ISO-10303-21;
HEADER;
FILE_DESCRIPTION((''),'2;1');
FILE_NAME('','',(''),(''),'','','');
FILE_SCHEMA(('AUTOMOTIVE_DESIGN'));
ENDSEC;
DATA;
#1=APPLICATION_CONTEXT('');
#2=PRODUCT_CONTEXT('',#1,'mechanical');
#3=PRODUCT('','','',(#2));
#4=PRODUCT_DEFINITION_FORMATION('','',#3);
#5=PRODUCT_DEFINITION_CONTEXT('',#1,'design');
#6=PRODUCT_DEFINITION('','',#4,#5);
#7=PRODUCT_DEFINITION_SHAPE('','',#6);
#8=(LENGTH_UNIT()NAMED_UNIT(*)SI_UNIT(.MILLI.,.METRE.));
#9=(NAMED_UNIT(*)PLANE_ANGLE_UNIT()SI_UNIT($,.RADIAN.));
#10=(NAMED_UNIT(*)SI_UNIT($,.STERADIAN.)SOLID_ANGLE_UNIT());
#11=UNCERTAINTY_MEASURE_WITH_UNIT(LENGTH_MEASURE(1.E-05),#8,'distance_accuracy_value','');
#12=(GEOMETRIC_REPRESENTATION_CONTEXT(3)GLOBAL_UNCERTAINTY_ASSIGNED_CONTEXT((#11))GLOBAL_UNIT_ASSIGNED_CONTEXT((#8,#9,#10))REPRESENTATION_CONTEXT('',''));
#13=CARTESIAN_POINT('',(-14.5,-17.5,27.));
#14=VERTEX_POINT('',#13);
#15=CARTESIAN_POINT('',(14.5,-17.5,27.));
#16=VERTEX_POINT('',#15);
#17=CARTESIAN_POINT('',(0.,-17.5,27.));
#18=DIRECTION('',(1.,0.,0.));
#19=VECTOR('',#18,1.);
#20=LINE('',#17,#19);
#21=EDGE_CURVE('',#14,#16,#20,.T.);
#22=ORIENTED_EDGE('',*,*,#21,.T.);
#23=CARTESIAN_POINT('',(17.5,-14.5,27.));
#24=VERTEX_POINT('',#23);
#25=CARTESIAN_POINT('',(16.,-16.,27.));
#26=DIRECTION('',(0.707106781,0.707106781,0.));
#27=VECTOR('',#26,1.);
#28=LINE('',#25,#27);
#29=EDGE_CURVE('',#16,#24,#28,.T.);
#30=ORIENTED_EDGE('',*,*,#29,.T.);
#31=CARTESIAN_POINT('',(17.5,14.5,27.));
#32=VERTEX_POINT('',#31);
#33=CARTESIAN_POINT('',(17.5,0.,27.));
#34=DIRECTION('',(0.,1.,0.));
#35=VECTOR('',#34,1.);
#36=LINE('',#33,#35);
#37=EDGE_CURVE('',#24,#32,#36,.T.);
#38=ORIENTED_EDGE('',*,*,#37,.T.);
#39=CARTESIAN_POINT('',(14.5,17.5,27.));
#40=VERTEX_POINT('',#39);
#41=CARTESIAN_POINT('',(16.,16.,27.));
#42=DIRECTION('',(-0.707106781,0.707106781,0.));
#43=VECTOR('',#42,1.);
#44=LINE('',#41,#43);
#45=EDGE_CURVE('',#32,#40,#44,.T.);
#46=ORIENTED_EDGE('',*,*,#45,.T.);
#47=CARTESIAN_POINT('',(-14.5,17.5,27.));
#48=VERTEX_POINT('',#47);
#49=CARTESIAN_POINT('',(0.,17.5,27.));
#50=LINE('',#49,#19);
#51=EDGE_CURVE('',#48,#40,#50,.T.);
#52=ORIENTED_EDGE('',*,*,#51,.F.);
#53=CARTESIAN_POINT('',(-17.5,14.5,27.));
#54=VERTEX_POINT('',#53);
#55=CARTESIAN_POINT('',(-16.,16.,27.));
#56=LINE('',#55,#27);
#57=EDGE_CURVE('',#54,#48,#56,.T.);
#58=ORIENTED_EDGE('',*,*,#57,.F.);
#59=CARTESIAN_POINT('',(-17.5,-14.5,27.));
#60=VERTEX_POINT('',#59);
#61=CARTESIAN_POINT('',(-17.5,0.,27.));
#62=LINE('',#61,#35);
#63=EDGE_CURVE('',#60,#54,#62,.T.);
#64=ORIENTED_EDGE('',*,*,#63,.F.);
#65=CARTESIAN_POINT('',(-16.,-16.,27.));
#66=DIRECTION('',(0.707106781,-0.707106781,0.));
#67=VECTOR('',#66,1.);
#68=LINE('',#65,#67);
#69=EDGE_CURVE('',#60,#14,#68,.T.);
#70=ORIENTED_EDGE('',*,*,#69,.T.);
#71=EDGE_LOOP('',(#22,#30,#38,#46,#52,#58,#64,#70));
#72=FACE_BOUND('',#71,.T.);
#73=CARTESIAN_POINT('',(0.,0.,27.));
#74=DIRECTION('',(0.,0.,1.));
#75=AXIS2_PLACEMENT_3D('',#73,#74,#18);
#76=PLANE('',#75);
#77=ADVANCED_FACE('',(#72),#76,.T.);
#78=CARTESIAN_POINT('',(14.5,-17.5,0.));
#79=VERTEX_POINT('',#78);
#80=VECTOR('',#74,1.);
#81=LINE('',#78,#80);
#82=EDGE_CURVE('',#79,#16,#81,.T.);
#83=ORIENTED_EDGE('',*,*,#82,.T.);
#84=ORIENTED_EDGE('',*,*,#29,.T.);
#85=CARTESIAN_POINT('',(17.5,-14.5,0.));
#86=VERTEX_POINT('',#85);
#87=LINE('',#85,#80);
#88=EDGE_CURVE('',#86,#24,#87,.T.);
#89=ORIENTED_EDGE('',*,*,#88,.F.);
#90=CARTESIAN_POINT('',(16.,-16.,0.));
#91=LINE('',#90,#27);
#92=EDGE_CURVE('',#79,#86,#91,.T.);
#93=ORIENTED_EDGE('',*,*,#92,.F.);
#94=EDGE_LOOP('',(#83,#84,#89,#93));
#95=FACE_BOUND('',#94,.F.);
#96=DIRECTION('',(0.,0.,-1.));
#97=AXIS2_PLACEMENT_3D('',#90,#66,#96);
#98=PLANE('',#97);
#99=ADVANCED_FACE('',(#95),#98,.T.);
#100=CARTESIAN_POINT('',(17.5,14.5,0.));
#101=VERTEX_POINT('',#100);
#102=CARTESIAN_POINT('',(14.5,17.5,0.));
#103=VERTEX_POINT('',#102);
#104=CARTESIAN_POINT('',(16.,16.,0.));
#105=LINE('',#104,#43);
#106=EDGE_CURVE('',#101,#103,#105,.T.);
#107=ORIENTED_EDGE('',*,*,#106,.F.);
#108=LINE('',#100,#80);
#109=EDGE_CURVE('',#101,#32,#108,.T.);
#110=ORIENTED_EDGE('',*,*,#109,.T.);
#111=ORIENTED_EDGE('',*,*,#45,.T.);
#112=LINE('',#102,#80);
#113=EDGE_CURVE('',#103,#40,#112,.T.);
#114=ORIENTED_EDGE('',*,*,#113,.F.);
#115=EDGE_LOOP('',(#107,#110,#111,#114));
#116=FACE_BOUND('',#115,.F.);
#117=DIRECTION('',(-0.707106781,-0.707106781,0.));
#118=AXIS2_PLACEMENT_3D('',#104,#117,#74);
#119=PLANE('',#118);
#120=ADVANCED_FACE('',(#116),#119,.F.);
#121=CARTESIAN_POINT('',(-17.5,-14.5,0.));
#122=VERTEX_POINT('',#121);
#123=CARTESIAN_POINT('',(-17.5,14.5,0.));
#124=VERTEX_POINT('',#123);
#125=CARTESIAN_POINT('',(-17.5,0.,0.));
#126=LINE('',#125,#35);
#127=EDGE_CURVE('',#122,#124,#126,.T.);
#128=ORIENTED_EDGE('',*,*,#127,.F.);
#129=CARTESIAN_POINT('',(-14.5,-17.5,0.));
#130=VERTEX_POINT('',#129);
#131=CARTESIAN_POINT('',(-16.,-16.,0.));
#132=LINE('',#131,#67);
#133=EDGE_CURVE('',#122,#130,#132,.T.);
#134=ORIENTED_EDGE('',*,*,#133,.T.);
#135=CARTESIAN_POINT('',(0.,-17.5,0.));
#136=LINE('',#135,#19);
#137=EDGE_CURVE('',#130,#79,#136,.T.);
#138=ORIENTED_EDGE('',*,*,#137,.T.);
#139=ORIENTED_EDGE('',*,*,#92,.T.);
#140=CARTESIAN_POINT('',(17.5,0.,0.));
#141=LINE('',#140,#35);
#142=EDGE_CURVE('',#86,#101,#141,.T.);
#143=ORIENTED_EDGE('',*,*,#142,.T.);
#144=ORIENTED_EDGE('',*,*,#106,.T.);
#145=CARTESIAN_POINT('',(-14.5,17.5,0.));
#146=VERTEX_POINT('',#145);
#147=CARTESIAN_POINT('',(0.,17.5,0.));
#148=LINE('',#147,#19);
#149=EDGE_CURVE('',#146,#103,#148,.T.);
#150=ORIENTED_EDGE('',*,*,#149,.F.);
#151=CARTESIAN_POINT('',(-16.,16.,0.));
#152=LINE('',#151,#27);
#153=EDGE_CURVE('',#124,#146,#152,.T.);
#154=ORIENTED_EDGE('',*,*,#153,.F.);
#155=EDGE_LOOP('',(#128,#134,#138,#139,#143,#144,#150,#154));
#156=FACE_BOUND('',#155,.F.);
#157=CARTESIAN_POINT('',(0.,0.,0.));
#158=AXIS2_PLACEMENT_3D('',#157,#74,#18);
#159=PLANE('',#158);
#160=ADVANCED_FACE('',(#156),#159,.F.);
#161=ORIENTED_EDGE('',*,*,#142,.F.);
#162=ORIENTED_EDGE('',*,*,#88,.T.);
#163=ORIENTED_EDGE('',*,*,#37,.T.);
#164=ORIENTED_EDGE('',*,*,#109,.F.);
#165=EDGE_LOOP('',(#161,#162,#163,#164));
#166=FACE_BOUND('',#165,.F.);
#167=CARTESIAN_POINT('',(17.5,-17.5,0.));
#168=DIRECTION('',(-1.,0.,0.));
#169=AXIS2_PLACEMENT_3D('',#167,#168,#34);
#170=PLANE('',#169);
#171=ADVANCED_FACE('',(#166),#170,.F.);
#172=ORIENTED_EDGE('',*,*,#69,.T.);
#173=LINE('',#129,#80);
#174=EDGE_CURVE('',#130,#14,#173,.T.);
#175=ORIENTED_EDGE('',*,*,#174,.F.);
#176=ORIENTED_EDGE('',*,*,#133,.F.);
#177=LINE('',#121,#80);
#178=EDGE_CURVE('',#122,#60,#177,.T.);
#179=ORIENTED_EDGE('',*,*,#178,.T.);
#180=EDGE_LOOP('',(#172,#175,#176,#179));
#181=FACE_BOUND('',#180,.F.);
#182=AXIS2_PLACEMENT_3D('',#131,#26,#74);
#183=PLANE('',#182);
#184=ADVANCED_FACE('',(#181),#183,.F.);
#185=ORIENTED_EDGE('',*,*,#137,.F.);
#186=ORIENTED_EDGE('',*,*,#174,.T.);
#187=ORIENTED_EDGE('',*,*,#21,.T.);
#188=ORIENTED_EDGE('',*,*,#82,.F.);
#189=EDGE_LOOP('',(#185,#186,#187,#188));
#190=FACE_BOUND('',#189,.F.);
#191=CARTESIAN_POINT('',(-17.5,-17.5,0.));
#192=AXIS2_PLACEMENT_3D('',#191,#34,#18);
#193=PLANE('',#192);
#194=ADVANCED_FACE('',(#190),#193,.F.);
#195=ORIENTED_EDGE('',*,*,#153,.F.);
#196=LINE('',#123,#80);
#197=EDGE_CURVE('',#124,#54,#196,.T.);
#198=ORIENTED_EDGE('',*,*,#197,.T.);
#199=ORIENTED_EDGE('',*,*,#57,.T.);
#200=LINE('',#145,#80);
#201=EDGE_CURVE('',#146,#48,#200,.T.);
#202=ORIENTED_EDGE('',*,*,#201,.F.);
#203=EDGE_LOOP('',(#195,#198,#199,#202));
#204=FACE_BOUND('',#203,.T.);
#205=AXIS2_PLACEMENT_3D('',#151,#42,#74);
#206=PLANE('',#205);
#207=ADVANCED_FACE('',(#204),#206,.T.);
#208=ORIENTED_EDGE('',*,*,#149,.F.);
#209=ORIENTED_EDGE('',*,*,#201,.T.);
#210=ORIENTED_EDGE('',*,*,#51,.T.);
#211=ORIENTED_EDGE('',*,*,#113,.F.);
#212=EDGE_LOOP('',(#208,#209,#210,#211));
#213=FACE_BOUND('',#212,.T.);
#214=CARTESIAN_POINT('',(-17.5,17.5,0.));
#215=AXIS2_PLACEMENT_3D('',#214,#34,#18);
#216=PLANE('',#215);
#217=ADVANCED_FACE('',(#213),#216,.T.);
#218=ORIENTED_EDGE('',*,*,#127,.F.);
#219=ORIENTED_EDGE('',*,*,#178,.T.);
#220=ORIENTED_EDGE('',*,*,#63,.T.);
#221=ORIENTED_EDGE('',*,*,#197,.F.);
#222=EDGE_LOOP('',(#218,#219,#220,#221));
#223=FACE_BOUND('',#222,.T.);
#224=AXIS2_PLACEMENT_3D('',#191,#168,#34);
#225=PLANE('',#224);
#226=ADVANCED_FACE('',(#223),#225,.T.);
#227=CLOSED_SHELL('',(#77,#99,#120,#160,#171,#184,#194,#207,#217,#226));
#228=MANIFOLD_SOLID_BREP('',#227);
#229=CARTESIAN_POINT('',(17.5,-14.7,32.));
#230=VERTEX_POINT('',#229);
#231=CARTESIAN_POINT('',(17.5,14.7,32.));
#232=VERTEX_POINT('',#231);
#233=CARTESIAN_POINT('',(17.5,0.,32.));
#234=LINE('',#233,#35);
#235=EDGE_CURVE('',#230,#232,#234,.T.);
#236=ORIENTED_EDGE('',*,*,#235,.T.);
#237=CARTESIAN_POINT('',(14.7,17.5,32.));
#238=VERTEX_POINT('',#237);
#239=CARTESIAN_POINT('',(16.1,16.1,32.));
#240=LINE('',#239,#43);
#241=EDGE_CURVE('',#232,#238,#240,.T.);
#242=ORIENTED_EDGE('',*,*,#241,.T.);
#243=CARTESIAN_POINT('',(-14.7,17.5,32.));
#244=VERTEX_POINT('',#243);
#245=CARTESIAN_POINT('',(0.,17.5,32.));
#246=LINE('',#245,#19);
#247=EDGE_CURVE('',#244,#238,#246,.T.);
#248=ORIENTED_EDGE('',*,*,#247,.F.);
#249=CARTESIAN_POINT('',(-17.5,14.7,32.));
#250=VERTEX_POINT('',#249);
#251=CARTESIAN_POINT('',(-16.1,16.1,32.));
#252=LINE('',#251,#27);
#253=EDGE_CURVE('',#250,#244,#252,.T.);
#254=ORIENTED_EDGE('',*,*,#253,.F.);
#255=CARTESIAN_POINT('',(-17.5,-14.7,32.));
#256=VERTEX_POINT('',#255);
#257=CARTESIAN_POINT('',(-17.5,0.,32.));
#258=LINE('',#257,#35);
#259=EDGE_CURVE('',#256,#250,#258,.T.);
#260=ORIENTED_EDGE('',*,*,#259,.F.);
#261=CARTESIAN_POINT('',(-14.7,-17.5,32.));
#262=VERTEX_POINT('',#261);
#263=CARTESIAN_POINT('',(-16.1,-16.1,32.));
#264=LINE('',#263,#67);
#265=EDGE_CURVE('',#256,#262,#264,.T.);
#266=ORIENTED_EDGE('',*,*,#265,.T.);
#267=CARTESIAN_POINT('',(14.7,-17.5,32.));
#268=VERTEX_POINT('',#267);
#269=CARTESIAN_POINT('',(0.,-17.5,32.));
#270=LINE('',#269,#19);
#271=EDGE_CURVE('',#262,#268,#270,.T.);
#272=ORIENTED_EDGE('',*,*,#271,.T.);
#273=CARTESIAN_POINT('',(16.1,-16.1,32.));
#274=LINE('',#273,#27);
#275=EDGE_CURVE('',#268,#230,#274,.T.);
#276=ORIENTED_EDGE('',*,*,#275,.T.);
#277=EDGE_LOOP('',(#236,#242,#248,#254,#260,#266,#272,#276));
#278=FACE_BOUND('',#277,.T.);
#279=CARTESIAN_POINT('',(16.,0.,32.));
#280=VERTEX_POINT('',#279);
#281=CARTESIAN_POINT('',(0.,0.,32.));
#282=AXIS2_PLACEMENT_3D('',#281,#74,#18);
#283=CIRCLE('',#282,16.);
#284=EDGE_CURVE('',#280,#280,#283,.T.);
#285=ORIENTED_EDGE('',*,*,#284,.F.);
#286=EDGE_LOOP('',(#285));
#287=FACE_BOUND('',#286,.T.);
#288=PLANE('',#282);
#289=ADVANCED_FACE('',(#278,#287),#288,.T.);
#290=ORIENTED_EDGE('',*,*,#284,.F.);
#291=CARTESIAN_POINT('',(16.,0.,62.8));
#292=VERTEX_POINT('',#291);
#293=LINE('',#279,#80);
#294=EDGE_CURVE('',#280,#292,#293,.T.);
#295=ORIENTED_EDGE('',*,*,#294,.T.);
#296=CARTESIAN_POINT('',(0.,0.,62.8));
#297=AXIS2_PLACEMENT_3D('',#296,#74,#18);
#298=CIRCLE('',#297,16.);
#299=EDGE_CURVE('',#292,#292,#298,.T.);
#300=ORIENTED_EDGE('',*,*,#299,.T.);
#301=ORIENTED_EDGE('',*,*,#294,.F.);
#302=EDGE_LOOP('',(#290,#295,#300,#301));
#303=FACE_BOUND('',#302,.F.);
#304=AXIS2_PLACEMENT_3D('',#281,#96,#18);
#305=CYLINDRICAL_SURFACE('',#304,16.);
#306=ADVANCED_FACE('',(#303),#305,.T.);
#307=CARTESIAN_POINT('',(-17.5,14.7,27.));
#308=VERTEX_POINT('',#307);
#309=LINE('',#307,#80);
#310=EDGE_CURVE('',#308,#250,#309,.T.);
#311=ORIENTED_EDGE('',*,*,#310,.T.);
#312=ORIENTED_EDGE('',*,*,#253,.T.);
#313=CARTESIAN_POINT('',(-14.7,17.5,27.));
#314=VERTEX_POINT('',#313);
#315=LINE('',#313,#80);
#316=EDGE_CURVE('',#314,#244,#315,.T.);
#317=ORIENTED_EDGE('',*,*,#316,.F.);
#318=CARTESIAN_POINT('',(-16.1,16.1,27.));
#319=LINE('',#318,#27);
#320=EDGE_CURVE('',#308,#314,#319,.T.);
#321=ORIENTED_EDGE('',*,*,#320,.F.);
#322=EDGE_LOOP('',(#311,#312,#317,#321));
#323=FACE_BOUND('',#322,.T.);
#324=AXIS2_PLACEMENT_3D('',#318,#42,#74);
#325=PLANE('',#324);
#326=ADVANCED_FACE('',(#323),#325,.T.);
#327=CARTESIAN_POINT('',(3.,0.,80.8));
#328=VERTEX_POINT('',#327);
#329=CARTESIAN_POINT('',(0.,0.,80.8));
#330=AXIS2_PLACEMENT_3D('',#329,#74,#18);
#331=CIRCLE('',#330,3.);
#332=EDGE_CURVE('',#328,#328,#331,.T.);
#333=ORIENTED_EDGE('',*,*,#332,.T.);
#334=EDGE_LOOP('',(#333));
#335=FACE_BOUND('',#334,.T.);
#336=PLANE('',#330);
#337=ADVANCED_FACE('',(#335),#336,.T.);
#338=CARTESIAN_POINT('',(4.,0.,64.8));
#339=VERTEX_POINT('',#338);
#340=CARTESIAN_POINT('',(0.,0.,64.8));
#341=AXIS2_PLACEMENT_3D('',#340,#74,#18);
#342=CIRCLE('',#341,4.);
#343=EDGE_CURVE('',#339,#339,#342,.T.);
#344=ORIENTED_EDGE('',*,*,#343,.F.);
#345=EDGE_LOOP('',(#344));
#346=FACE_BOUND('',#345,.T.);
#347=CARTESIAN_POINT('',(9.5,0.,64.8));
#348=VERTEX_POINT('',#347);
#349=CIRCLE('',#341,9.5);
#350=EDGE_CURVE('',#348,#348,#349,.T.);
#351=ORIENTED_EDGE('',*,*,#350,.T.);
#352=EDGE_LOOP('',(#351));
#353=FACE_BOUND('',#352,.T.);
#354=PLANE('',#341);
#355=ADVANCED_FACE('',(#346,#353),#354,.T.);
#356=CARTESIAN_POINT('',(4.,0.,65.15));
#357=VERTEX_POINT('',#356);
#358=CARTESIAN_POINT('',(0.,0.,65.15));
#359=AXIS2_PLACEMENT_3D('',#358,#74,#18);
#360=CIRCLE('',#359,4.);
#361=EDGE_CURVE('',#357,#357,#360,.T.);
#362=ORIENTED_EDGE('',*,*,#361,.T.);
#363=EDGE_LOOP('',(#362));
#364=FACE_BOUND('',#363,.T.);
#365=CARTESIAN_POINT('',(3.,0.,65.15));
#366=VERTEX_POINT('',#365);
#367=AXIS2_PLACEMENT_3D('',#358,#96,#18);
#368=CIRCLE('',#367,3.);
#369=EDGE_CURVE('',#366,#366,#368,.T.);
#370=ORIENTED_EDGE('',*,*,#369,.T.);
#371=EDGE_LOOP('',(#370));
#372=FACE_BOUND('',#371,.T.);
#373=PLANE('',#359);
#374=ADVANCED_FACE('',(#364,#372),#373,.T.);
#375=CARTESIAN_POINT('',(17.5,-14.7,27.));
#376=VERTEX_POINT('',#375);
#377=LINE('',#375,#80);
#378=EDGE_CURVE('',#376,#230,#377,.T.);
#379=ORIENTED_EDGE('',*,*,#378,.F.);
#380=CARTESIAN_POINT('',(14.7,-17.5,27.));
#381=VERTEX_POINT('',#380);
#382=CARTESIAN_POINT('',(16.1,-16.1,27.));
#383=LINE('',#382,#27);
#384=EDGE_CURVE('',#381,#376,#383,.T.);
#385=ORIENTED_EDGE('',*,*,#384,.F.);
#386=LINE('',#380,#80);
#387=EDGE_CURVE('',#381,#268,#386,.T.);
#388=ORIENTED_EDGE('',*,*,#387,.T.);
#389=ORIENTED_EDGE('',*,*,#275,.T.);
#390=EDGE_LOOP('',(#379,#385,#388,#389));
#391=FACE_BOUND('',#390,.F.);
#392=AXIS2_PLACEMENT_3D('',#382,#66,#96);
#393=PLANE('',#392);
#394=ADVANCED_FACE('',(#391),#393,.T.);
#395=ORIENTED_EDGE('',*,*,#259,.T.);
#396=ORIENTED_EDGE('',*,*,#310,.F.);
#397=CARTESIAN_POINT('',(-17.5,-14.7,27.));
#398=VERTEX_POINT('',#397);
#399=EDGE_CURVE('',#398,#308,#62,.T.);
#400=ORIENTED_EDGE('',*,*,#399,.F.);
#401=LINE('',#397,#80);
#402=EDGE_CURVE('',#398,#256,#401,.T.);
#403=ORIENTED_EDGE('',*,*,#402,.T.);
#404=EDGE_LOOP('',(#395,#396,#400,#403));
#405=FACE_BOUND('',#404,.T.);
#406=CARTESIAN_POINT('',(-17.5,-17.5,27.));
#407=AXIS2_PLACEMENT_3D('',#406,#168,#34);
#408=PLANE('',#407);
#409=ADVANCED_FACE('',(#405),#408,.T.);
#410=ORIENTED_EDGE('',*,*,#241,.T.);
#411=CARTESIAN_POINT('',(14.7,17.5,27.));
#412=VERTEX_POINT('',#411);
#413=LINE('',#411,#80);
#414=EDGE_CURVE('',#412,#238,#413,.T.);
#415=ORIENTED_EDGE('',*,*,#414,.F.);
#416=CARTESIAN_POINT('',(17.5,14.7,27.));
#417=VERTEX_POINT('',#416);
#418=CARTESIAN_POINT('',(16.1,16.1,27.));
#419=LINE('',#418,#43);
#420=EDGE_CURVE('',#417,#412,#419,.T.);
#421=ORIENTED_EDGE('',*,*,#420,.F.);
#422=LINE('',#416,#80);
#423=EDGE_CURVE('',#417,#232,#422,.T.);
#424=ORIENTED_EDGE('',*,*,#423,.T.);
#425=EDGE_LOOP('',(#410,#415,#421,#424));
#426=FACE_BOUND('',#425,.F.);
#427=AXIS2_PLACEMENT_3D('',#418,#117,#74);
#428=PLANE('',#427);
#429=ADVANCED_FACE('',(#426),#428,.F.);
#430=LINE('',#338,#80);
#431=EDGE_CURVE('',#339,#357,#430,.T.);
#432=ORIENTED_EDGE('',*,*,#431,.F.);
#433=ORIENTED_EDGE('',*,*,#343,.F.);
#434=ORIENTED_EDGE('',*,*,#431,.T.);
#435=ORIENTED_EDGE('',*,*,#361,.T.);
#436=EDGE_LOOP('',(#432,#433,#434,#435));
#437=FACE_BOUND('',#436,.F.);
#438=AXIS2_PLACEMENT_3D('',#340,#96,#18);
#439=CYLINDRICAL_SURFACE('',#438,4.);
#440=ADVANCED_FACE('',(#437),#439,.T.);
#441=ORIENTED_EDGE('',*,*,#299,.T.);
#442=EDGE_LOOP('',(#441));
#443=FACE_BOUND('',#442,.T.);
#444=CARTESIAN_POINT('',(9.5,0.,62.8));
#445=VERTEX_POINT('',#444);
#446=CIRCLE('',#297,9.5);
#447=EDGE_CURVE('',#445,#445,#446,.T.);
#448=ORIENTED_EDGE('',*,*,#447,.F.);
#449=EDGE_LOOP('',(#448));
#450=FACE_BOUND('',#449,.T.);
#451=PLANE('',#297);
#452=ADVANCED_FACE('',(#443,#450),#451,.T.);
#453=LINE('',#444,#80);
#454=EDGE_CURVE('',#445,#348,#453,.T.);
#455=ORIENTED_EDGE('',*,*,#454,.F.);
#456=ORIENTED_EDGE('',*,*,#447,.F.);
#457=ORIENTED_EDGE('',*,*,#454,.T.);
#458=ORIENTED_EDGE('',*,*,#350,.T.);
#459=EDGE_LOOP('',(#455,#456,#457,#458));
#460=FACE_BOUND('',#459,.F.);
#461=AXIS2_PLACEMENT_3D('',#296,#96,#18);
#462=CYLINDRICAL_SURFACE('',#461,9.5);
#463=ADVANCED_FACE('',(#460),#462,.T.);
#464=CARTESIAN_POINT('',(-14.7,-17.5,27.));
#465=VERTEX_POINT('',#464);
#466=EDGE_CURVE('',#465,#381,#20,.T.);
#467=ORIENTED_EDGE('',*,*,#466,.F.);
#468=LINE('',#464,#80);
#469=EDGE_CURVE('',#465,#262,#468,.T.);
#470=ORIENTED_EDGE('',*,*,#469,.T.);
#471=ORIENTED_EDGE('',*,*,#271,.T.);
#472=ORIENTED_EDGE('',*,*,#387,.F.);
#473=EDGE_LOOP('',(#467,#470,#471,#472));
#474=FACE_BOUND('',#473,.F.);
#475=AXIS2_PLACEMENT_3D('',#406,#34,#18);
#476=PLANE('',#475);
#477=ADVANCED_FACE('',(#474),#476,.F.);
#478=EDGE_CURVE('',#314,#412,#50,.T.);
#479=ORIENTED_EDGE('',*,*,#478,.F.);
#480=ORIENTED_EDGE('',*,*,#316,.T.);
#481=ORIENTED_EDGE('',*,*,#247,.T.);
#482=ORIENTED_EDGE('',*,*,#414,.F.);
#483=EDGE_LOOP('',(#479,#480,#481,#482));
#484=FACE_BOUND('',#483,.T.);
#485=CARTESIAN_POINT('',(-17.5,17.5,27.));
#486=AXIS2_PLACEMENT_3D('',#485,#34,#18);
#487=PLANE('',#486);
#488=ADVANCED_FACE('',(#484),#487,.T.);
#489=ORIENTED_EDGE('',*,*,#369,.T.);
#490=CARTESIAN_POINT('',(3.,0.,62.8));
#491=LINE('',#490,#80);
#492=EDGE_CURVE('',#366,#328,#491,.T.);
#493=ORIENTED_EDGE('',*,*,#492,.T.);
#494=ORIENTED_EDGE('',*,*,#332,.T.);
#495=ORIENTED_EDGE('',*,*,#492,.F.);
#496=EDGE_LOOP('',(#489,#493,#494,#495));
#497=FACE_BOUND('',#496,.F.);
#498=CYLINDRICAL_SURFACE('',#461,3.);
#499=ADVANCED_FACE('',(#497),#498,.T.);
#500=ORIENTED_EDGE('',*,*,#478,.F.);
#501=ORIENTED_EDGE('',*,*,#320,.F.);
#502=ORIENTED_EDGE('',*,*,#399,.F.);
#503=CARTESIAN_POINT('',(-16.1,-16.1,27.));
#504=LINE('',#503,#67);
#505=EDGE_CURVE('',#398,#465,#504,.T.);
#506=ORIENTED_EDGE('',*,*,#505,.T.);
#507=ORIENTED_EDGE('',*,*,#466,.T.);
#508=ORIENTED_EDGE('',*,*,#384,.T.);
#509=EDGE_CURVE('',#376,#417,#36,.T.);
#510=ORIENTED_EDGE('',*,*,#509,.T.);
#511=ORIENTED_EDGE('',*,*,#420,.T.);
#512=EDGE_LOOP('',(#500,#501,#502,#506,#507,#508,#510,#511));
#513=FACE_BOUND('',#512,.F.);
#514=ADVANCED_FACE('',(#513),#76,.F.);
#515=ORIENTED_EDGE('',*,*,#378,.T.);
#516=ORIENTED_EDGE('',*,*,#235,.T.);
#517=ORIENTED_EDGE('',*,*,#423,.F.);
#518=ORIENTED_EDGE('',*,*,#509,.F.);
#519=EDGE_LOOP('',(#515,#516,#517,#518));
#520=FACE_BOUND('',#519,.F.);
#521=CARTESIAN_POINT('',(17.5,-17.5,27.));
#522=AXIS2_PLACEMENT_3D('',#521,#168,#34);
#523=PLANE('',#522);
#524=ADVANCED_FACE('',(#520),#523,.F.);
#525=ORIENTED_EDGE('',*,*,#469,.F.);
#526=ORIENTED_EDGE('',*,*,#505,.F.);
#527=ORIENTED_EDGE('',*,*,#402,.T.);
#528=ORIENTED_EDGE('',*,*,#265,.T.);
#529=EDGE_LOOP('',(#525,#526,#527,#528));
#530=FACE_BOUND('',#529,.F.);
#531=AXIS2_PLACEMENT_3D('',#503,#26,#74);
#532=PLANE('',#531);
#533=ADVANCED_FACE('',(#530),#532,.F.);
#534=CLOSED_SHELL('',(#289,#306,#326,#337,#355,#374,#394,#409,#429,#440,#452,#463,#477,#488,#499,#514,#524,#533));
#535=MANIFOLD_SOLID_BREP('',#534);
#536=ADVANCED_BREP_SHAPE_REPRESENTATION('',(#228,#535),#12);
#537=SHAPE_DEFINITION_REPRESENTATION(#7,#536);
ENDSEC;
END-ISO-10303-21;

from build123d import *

# Parameters (mm, degrees)
SKETCH1_W           = 35
SKETCH1_H           = 35
BOSS_EXTRUDE1_DEPTH = 27
CHAMFER1_SIZE       = 3
SKETCH2_W           = 35
SKETCH2_H           = 35
BOSS_EXTRUDE2_DEPTH = 5
CHAMFER2_SIZE       = 2.8
SKETCH3_R           = 16
BOSS_EXTRUDE3_DEPTH = 30.8
SKETCH4_R           = 9.5
BOSS_EXTRUDE4_DEPTH = 2
SKETCH6_R           = 3
BOSS_EXTRUDE5_DEPTH = 18
SKETCH7_R           = 4
BOSS_EXTRUDE6_DEPTH = 0.35


with BuildPart() as part:
    # Sketch1 → Boss-Extrude1 (new body)
    with BuildSketch(Plane.XY):
        Rectangle(SKETCH1_W, SKETCH1_H)
    extrude(amount=BOSS_EXTRUDE1_DEPTH)

    # Chamfer1
    chamfer1_edges = [part.edges().sort_by_distance(p)[0] for p in [
        (17.5, -17.5, 13.5),
        (-17.5, -17.5, 13.5),
        (-17.5, 17.5, 13.5),
        (17.5, 17.5, 13.5),
    ]]
    chamfer(chamfer1_edges, length=CHAMFER1_SIZE)


with BuildPart() as body_2:
    # Sketch2 → Boss-Extrude2 (new body)
    with BuildSketch(Plane.XY.offset(27)):
        Rectangle(SKETCH2_W, SKETCH2_H)
    extrude(amount=BOSS_EXTRUDE2_DEPTH)

    # Chamfer2
    chamfer2_edges = [body_2.edges().sort_by_distance(p)[0] for p in [
        (17.5, -17.5, 29.5),
        (-17.5, -17.5, 29.5),
        (-17.5, 17.5, 29.5),
        (17.5, 17.5, 29.5),
    ]]
    chamfer(chamfer2_edges, length=CHAMFER2_SIZE)

    # Sketch3 → Boss-Extrude3 (add)
    with BuildSketch(Plane.XY.offset(32)):
        Circle(SKETCH3_R)
    extrude(amount=BOSS_EXTRUDE3_DEPTH)

    # Sketch4 → Boss-Extrude4 (add)
    with BuildSketch(Plane.XY.offset(62.8)):
        Circle(SKETCH4_R)
    extrude(amount=BOSS_EXTRUDE4_DEPTH)

    # Sketch6 → Boss-Extrude5 (add)
    with BuildSketch(Plane.XY.offset(62.8)):
        Circle(SKETCH6_R)
    extrude(amount=BOSS_EXTRUDE5_DEPTH)

    # Sketch7 → Boss-Extrude6 (add)
    with BuildSketch(Plane.XY.offset(64.8)):
        Circle(SKETCH7_R)
    extrude(amount=BOSS_EXTRUDE6_DEPTH)


solid = Compound([part.part, body_2.part])
